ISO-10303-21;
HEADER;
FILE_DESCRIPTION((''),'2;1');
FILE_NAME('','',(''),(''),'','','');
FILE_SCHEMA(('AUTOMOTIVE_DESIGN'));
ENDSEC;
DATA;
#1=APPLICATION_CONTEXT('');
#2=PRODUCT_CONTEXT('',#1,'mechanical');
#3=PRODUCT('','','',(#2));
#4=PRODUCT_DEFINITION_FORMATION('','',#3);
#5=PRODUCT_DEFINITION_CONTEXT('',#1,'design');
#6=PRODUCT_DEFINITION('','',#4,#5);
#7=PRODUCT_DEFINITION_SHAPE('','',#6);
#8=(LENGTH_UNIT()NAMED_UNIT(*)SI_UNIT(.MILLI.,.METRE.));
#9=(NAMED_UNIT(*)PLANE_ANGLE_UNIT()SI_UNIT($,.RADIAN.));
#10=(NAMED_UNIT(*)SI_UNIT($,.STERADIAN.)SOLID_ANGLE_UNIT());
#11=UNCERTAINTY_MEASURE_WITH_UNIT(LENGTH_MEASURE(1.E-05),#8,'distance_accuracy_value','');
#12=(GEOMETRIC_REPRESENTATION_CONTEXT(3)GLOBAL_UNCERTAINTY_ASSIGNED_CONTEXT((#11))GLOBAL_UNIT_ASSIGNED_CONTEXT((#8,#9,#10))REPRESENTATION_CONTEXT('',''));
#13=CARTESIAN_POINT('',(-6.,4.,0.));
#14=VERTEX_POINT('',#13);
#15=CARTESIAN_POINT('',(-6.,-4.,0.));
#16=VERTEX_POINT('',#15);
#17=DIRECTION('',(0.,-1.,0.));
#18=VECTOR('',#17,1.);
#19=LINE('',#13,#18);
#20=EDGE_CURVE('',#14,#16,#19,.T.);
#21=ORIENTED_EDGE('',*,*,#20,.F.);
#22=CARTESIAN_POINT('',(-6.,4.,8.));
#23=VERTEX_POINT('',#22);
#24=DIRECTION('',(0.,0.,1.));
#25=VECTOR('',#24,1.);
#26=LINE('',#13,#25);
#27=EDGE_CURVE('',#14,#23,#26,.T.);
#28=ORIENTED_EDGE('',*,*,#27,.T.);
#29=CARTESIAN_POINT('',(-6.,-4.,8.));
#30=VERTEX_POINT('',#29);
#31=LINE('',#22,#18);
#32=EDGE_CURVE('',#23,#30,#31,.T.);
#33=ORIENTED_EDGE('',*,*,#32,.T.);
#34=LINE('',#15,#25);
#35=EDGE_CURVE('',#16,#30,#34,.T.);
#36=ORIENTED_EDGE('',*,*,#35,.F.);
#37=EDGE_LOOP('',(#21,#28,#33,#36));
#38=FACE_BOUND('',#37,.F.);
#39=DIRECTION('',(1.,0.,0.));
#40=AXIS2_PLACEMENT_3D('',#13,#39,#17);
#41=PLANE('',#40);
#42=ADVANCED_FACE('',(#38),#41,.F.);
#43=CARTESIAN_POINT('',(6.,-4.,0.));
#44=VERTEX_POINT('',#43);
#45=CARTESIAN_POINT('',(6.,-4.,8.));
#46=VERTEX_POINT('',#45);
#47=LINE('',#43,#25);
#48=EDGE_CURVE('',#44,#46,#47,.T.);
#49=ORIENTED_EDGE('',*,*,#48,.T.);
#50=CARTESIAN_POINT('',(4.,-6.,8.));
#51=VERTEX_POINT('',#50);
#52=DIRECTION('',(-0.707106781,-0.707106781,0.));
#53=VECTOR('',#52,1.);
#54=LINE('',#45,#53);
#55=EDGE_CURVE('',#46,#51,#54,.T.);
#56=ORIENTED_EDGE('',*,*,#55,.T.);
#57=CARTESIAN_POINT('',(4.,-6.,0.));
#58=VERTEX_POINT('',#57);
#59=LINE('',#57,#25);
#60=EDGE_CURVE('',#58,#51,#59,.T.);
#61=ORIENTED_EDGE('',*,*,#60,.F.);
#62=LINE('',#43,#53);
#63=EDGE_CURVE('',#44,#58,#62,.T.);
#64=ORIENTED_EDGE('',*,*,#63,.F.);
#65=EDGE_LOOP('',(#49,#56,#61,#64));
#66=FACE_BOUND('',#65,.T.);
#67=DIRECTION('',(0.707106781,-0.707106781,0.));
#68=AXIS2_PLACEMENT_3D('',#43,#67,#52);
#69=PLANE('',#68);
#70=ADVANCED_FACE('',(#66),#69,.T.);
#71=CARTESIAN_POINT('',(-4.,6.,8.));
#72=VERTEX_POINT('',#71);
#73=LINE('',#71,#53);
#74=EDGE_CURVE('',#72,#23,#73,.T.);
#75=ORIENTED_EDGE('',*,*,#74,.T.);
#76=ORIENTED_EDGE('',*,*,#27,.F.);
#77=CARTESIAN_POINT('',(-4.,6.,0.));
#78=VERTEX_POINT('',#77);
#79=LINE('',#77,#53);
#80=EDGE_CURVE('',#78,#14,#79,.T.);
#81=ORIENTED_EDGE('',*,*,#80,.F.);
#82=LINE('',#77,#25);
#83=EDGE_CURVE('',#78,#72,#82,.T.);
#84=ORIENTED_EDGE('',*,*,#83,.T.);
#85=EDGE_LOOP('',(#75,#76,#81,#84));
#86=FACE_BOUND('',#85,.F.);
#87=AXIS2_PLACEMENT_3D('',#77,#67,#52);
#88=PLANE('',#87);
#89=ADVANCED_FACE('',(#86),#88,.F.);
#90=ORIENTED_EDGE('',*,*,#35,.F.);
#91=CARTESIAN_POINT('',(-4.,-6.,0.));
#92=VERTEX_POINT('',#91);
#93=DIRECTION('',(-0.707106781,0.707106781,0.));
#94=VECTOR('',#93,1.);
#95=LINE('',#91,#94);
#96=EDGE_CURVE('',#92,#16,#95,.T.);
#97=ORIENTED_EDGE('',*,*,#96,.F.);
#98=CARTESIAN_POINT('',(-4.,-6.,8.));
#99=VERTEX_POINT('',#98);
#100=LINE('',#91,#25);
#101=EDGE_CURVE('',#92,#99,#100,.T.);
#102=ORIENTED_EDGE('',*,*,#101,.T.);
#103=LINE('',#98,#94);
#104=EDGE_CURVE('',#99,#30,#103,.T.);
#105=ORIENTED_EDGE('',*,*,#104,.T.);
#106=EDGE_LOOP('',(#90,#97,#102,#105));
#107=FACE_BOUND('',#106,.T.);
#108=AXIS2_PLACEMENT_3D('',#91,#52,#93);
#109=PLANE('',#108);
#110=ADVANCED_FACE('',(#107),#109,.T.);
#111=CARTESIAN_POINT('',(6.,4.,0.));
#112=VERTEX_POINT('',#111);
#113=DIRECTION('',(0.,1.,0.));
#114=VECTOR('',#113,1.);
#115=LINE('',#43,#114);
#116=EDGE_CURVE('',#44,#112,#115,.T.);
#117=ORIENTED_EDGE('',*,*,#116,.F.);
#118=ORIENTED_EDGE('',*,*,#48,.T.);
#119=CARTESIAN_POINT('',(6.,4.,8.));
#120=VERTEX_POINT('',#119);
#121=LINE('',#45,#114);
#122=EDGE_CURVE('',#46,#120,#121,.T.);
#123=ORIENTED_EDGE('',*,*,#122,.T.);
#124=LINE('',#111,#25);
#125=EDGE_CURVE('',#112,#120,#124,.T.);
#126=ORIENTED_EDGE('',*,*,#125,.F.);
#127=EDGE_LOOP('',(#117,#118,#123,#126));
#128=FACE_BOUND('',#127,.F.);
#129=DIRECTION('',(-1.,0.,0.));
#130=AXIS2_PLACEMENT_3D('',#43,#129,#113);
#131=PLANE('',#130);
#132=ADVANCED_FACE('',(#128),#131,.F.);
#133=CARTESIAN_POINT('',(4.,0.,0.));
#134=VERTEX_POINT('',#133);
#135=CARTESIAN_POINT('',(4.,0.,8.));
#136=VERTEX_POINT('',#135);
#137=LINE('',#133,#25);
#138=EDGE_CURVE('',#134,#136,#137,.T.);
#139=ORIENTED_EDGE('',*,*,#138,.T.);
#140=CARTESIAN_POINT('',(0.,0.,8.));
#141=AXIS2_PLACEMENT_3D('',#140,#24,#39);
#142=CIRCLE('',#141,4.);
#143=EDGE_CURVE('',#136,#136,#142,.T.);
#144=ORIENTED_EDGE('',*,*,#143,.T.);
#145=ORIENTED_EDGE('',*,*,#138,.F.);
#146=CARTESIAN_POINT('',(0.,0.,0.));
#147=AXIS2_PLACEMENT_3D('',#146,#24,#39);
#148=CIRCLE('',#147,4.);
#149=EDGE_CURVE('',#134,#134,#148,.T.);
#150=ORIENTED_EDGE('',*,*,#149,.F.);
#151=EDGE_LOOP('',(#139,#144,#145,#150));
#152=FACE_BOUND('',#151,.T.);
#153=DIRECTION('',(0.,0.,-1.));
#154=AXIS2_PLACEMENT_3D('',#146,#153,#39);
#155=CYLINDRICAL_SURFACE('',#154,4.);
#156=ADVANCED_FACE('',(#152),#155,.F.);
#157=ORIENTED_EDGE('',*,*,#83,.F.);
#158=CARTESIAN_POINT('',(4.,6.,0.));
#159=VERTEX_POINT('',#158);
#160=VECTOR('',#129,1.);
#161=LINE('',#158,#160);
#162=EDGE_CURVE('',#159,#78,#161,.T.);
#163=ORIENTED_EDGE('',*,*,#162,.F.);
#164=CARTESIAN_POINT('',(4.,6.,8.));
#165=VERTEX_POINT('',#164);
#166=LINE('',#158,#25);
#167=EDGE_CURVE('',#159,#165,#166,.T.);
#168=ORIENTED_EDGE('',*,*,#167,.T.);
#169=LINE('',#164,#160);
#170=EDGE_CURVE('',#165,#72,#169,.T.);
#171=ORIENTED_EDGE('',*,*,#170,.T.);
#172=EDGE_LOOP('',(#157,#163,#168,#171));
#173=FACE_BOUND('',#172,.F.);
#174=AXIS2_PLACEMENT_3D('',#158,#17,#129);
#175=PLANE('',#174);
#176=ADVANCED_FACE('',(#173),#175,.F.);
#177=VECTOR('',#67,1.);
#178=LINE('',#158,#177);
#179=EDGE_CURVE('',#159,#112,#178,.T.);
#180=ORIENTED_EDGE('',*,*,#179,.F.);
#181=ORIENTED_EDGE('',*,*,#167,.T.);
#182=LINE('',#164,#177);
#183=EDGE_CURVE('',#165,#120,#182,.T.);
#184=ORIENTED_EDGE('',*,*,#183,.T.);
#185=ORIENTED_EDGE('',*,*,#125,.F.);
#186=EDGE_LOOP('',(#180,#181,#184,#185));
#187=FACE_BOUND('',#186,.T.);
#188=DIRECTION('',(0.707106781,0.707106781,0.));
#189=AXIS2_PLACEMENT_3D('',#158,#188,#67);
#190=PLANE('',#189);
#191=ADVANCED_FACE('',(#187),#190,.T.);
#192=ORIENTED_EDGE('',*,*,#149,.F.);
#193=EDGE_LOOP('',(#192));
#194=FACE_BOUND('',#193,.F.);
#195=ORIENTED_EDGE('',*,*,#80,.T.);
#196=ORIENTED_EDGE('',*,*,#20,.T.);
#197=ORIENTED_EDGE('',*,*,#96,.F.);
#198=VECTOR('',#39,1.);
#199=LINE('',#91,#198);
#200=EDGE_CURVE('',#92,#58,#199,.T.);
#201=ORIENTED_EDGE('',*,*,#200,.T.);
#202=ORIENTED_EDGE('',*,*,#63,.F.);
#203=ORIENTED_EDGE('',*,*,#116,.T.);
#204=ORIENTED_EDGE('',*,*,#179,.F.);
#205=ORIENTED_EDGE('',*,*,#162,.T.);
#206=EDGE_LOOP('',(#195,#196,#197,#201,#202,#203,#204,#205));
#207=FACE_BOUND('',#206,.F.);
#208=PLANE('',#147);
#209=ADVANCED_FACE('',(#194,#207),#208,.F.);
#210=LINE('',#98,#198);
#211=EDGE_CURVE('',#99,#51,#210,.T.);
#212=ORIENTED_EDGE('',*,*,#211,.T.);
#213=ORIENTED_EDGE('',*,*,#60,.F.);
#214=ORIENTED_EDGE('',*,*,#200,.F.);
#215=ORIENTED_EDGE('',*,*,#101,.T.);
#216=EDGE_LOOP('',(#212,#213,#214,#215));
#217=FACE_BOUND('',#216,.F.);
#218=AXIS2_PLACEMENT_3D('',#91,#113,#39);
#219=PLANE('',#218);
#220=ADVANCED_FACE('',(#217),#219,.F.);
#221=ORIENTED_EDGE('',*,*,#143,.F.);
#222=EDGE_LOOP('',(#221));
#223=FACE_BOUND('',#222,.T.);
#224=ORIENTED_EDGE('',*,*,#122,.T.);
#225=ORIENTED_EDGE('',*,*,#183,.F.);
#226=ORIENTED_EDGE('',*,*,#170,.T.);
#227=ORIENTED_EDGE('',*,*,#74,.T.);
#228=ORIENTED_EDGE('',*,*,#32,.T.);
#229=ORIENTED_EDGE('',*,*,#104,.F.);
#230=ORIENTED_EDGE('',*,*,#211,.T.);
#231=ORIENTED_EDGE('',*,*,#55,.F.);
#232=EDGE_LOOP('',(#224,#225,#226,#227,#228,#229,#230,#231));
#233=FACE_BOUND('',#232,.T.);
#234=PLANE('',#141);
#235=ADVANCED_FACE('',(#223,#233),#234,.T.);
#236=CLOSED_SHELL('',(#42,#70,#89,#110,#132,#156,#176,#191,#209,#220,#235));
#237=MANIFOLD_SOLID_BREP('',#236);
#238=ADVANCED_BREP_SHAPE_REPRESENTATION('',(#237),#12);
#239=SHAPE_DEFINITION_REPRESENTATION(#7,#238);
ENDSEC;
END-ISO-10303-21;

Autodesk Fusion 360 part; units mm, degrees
sketch "Sketch1" plane through (0, 0, 0) normal (0, 0, 1) x (1, 0, 0)
  circle A0 centre (0, 0) radius 4
  line L0 (4, 6) -> (-4, 6)
  line L1 (-6, 4) -> (-6, -4)
  line L2 (-4, -6) -> (4, -6)
  line L3 (6, -4) -> (6, 4)
  line L4 (6, 6) -> (-6, -6) construction
  line L5 (-6, 6) -> (6, -6) construction
  line L6 (4, 6) -> (6, 4)
  line L7 (6, -4) -> (4, -6)
  line L8 (-4, -6) -> (-6, -4)
  line L9 (-4, 6) -> (-6, 4)
  dimension "d1" = 8
  dimension "d2" = 12
  dimension "d3" = 12
  dimension "d4" = 2
  dimension "d5" = 2
  dimension "d6" = 2
  dimension "d7" = 2
  dimension "d8" = 2
  dimension "d9" = 2
  dimension "d10" = 2
  dimension "d11" = 2
extrude "Extrude1" add sketch "Sketch1" along normal blind 8
equation "d5 = d4"
equation "d7 = d6"
equation "d9 = d8"
equation "d11 = d10"
